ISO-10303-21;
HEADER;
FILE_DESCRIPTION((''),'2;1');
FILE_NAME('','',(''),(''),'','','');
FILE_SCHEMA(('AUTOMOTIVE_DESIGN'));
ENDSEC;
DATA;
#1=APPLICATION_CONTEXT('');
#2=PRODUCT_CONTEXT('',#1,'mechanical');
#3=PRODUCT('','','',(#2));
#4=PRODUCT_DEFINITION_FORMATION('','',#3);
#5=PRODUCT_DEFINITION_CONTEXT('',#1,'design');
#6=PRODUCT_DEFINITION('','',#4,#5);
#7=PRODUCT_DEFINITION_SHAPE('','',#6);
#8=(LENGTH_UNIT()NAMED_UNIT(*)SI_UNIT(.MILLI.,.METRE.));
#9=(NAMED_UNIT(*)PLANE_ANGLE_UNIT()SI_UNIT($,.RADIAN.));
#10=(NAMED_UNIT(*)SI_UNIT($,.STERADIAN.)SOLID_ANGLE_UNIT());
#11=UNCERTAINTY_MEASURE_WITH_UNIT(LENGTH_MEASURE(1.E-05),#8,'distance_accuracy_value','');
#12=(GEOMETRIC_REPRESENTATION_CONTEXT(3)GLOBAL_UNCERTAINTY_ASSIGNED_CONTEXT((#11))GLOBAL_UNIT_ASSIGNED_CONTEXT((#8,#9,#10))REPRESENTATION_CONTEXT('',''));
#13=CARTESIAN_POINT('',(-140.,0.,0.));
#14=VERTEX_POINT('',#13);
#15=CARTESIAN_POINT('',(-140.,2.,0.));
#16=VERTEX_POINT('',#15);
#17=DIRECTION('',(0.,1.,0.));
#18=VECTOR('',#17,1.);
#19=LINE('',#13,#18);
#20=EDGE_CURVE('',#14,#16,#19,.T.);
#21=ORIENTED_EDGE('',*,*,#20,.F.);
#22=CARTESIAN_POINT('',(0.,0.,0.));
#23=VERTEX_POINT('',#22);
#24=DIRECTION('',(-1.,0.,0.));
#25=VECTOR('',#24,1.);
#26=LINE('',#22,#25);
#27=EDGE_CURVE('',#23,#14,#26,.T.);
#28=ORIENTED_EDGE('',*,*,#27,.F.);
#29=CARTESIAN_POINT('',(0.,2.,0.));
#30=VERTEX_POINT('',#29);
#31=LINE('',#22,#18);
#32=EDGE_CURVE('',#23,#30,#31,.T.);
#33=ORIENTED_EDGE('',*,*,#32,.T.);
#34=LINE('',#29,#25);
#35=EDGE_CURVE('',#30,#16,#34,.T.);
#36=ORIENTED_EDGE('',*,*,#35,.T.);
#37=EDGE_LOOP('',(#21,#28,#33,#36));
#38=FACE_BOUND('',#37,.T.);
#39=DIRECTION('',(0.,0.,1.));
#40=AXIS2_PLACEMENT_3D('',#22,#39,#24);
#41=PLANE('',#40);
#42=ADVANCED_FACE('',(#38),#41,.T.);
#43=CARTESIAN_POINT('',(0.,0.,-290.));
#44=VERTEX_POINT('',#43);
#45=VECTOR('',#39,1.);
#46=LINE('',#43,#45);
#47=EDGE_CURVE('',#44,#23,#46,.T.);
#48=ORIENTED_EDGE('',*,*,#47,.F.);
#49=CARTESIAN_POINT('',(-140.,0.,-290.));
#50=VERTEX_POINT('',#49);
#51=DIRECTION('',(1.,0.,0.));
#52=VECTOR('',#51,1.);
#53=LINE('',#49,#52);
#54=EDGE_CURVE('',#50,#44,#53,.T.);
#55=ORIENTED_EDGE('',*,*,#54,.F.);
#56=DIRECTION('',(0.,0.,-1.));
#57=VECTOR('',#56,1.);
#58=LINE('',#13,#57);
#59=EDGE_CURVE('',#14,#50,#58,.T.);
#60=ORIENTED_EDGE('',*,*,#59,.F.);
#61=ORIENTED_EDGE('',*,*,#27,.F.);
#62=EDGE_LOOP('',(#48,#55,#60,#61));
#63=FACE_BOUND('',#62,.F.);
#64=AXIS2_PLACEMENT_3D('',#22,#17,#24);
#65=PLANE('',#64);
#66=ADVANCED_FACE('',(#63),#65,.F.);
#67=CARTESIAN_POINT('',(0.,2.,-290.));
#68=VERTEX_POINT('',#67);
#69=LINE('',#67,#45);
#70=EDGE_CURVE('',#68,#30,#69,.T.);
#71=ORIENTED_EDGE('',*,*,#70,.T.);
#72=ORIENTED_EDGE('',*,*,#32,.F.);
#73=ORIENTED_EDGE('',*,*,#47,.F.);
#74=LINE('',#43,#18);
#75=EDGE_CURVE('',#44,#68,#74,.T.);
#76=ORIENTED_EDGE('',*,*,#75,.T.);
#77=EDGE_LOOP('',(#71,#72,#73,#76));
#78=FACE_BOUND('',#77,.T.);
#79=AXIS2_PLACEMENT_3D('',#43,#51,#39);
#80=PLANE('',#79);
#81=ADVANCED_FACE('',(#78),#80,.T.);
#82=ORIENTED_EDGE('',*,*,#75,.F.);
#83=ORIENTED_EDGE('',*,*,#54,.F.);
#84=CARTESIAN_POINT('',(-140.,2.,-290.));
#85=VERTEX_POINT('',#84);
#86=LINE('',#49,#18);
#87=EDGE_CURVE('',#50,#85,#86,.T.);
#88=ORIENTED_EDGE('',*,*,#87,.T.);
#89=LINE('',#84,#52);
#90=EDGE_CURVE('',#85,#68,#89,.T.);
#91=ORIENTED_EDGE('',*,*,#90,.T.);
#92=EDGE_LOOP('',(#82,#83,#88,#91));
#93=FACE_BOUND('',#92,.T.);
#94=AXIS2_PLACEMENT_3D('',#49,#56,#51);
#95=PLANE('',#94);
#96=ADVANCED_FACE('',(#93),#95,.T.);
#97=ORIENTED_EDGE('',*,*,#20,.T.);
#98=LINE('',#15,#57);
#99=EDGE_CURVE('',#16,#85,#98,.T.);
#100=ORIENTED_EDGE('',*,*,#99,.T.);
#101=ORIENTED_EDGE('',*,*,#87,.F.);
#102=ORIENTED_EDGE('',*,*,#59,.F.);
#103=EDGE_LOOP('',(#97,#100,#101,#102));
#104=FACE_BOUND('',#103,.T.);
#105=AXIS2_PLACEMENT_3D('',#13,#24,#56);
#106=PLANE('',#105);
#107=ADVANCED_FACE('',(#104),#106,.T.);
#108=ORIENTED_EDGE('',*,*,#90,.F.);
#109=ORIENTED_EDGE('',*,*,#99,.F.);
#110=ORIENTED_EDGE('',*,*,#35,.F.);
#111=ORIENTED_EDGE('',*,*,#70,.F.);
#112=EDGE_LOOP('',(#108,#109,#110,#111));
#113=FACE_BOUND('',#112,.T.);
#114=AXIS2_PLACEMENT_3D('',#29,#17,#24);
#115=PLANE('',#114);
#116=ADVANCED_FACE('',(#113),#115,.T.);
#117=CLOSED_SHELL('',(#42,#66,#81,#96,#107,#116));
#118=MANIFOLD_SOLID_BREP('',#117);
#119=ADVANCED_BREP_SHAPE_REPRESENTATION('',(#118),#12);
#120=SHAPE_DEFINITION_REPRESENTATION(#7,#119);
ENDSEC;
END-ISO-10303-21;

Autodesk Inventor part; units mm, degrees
ref_plane "YZ Plane" through (0, 0, 0) normal (1, 0, 0) x (0, 1, 0)
ref_plane "XZ Plane" through (0, 0, 0) normal (0, 1, 0) x (-1, 0, 0)
ref_plane "XY Plane" through (0, 0, 0) normal (0, 0, 1) x (1, 0, 0)
sketch "Sketch1" plane through (0, 0, 0) normal (0, 1, 0) x (-1, 0, 0)
  line L0 (0, 0) -> (140, 0)
  line L1 (140, 0) -> (140, -290)
  line L2 (140, -290) -> (0, -290)
  line L3 (0, -290) -> (0, 0)
  dimension "d0" = 140
  dimension "d1" = 290
extrude "Extrusion1" add sketch "Sketch1" along normal blind 2
properties part number "placa" material "Aluminum 6061-AHC"
